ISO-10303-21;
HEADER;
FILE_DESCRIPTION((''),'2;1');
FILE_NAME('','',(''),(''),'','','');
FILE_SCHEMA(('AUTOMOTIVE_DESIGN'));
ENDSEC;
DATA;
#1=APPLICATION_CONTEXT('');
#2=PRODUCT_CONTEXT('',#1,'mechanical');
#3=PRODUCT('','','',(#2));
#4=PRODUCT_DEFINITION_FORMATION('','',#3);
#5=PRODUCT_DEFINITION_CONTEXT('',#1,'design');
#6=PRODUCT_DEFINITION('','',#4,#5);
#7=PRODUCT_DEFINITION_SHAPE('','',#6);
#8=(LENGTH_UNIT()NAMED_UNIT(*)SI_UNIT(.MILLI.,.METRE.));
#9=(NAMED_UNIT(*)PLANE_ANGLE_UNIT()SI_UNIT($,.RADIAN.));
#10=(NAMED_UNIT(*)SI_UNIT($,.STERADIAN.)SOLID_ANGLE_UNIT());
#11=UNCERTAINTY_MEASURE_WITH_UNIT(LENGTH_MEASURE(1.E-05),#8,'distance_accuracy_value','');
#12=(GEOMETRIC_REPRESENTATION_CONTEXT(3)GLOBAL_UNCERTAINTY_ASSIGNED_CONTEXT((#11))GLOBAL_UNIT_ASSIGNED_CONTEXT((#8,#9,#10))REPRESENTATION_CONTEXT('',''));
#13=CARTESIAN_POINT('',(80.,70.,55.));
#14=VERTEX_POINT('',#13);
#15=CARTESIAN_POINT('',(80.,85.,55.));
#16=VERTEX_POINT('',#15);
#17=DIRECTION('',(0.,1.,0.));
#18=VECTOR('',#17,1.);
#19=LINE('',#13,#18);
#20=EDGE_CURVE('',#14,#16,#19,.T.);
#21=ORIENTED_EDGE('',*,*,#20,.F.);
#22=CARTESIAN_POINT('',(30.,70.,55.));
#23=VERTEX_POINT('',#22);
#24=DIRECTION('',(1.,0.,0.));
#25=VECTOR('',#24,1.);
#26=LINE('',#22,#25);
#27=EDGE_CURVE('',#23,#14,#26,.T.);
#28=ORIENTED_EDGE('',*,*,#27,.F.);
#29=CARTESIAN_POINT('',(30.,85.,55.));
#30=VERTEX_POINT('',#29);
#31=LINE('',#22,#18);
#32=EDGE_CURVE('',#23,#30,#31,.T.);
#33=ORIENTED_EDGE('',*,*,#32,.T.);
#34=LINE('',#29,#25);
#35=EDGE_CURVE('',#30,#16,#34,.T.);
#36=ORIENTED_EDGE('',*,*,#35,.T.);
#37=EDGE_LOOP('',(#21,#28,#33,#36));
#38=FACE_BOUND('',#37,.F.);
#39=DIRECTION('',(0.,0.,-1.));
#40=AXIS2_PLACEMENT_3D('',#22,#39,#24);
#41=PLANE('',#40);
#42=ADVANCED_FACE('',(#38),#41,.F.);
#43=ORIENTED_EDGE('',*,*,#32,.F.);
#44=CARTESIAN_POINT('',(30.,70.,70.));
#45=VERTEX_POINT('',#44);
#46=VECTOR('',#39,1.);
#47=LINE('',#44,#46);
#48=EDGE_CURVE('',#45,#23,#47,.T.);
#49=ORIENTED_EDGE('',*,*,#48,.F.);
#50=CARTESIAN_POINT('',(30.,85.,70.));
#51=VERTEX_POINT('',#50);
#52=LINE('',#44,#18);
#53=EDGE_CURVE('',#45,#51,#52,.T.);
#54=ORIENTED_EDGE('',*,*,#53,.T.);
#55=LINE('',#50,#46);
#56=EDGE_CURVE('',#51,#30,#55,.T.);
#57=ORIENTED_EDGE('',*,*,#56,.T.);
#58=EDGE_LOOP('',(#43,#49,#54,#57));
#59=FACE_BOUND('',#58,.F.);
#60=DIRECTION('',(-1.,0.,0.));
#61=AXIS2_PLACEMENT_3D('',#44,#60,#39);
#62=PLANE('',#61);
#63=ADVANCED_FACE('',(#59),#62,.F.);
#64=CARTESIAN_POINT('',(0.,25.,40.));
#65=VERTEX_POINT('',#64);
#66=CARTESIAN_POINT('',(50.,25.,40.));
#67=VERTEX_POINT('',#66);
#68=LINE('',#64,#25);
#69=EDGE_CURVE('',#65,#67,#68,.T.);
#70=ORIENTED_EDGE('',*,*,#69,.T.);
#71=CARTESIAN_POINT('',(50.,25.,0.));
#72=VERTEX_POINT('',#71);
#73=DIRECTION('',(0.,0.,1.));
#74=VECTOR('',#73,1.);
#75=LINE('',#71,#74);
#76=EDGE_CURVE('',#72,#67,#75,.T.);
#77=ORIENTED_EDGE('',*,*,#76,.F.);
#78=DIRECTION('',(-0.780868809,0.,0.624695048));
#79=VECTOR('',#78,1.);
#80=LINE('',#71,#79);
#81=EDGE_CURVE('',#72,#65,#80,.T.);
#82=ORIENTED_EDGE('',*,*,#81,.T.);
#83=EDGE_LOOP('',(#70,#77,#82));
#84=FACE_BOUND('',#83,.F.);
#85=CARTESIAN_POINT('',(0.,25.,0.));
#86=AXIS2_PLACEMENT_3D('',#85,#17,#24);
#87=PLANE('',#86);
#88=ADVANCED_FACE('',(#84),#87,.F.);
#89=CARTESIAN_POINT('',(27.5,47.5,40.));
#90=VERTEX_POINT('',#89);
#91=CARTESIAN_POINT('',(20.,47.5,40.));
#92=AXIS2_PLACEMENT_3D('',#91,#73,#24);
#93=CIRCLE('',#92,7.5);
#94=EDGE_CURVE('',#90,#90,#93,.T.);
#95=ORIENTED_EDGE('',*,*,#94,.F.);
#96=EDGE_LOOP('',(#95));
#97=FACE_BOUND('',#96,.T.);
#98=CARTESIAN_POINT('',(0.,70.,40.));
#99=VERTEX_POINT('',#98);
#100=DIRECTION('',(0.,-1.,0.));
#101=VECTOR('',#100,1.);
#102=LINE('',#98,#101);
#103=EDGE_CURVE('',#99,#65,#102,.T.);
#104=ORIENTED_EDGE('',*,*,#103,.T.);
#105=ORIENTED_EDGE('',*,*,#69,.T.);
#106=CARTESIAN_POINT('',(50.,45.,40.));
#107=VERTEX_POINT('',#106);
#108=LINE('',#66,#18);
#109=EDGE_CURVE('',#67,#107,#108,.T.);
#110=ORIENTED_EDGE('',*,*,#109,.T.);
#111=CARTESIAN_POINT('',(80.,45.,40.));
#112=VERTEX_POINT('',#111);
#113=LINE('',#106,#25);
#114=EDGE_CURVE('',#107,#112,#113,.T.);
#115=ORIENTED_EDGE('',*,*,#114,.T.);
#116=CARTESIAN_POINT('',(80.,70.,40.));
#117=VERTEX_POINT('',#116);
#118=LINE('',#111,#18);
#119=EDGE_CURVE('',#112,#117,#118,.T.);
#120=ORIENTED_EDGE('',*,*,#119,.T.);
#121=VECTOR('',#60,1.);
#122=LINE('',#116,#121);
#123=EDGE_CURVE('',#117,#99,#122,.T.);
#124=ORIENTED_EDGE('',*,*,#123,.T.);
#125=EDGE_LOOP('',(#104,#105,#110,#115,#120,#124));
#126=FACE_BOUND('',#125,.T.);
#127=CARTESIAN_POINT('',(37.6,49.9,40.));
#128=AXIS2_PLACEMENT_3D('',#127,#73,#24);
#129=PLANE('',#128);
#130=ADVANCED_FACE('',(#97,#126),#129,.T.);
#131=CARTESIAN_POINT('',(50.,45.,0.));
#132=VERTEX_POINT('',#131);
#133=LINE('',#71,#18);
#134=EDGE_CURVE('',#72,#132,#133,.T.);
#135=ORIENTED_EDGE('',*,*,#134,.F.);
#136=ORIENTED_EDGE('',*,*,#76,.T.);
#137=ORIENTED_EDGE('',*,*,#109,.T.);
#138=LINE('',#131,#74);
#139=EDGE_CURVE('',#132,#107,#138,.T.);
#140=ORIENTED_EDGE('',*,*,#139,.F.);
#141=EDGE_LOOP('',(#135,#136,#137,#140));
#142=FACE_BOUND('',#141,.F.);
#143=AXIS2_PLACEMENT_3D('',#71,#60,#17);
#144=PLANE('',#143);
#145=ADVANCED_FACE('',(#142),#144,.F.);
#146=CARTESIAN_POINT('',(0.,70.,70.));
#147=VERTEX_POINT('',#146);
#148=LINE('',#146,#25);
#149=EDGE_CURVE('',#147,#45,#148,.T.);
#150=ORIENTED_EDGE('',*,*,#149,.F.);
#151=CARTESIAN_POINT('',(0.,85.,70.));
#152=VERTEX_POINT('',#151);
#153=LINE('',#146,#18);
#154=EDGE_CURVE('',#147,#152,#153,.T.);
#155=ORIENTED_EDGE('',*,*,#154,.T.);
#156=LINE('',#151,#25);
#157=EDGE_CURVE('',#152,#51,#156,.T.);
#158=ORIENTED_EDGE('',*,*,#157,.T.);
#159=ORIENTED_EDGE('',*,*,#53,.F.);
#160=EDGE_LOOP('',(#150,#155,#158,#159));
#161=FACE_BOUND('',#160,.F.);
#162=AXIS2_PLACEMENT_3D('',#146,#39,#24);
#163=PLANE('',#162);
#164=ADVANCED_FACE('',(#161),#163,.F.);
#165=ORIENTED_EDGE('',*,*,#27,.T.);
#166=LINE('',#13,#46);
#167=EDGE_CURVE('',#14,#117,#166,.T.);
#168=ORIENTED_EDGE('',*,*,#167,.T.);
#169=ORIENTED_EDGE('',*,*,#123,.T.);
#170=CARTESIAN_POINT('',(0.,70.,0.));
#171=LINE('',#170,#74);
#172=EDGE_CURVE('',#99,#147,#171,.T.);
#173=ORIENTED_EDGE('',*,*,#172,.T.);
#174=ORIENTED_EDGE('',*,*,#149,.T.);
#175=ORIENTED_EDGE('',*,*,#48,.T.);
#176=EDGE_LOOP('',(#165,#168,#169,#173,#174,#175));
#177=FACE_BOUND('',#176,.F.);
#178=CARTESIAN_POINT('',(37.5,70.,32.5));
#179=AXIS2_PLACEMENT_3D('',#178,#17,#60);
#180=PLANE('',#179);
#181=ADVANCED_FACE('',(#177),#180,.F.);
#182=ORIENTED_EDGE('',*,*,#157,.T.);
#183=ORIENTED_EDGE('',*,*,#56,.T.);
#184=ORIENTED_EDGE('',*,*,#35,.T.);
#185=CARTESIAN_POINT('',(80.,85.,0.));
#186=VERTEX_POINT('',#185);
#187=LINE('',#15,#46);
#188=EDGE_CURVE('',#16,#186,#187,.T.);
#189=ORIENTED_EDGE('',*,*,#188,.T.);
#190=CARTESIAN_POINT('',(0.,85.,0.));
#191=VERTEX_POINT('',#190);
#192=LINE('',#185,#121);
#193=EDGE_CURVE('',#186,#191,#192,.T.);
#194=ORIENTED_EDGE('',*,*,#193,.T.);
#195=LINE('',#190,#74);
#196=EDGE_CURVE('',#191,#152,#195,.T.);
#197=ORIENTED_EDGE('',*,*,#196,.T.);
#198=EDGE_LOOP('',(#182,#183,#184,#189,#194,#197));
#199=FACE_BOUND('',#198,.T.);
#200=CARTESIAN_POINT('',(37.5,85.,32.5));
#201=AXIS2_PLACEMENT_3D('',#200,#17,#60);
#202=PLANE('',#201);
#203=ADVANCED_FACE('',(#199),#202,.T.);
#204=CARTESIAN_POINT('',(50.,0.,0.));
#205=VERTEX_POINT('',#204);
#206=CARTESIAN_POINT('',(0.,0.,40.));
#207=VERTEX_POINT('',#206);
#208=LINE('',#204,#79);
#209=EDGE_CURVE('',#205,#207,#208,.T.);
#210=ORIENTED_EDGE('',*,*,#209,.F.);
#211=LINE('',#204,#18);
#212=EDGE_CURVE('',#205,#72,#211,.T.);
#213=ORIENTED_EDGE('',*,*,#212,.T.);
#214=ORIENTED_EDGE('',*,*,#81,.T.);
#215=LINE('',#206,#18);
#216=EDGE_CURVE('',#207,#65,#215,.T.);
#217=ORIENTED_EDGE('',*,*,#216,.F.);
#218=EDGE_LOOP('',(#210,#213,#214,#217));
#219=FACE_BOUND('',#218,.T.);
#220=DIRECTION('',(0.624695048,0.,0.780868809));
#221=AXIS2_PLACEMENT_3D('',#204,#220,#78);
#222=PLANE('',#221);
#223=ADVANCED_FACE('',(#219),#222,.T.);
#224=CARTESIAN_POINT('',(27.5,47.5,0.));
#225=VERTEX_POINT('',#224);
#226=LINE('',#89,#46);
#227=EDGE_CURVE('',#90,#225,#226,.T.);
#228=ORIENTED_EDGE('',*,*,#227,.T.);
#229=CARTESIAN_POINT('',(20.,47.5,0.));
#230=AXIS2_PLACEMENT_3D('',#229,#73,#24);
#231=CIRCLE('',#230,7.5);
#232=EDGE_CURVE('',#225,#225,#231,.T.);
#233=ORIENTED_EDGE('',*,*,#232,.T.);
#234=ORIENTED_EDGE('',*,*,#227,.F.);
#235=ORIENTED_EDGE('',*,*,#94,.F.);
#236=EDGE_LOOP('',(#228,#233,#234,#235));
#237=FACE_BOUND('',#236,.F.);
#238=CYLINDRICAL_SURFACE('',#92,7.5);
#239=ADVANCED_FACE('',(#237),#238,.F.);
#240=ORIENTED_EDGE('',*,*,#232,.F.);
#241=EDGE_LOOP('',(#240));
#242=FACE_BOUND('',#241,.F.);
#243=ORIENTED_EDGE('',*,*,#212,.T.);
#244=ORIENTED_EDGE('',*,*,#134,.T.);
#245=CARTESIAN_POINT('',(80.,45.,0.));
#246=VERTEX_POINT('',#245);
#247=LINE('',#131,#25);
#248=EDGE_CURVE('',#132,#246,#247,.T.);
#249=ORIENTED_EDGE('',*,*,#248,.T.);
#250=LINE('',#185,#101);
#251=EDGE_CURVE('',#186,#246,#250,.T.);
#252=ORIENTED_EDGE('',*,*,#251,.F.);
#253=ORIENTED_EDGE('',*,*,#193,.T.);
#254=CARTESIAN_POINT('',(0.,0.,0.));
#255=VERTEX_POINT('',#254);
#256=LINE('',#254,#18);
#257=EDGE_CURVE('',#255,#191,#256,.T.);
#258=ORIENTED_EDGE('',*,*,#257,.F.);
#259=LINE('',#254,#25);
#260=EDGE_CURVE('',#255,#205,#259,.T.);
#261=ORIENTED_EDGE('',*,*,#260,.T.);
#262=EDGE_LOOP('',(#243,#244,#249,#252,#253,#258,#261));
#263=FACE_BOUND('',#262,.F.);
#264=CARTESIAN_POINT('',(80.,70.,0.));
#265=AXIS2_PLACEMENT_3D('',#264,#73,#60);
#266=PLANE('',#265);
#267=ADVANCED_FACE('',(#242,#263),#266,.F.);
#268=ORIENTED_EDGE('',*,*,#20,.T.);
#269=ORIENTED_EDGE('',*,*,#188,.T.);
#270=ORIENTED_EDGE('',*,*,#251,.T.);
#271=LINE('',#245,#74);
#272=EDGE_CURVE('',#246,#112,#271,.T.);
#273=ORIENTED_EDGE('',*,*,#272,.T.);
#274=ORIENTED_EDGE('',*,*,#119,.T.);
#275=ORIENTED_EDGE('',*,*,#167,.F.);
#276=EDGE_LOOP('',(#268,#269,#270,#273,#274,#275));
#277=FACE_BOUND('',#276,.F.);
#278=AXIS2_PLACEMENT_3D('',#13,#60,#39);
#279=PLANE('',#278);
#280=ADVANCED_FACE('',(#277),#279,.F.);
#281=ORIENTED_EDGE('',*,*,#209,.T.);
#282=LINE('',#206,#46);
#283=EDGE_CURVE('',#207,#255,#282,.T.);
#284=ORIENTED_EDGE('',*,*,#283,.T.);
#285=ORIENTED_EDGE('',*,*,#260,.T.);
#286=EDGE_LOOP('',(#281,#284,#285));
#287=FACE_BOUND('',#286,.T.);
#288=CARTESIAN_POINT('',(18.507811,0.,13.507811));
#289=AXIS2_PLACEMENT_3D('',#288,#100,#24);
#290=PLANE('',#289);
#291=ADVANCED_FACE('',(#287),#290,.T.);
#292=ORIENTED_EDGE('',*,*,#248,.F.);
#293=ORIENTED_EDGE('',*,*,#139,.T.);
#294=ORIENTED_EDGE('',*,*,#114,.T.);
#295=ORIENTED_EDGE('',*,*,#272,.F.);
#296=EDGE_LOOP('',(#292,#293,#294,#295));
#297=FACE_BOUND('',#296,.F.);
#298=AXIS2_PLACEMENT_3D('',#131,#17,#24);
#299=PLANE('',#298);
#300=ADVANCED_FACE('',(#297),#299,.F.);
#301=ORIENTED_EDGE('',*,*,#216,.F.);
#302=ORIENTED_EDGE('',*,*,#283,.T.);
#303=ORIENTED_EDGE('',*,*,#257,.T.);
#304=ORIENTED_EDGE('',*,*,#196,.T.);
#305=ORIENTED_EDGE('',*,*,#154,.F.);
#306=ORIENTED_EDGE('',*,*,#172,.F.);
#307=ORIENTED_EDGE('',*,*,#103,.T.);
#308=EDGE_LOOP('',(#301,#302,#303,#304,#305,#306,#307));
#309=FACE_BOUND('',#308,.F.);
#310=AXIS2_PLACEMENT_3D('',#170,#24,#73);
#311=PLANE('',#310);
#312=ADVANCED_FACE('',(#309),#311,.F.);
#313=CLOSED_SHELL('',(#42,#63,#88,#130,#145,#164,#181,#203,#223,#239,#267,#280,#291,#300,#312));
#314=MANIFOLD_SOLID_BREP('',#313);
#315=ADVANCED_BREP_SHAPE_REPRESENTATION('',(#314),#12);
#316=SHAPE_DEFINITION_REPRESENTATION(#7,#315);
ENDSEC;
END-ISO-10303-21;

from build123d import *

# Parameters (mm, degrees)
F1_DEPTH = 25
F3_DEPTH = 40
F5_DEPTH = 15
F6_R     = 7.5
F7_DEPTH = 40


with BuildPart() as f1:
    # F0 (on Front) → F1 (new body)
    with BuildSketch(Plane.XZ):
        Polygon((0, 40), (0, 0), (50, 0), align=None)
    extrude(amount=-F1_DEPTH)

    # F2 (on Top) → F3 (join)
    with BuildSketch(Plane.XY):
        Polygon((0, 70), (0, 25), (50, 25), (50, 45), (80, 45), (80, 70), align=None)
    extrude(amount=F3_DEPTH)

    # F4 (on face) → F5 (join)
    with BuildSketch(Plane(origin=(0, 70, 0), x_dir=(-1, 0, 0), z_dir=(0, 1, 0))):
        Polygon((-80, 0), (0, 0), (0, 70), (-30, 70), (-30, 55), (-80, 55), (-80, 40), align=None)
    extrude(amount=F5_DEPTH)

    # F6 (on face) → F7 (cut)
    with BuildSketch(Plane.XY.offset(40)):
        with Locations((20, 47.5)):
            Circle(F6_R)
    extrude(amount=-F7_DEPTH, mode=Mode.SUBTRACT)


solid = f1.part
